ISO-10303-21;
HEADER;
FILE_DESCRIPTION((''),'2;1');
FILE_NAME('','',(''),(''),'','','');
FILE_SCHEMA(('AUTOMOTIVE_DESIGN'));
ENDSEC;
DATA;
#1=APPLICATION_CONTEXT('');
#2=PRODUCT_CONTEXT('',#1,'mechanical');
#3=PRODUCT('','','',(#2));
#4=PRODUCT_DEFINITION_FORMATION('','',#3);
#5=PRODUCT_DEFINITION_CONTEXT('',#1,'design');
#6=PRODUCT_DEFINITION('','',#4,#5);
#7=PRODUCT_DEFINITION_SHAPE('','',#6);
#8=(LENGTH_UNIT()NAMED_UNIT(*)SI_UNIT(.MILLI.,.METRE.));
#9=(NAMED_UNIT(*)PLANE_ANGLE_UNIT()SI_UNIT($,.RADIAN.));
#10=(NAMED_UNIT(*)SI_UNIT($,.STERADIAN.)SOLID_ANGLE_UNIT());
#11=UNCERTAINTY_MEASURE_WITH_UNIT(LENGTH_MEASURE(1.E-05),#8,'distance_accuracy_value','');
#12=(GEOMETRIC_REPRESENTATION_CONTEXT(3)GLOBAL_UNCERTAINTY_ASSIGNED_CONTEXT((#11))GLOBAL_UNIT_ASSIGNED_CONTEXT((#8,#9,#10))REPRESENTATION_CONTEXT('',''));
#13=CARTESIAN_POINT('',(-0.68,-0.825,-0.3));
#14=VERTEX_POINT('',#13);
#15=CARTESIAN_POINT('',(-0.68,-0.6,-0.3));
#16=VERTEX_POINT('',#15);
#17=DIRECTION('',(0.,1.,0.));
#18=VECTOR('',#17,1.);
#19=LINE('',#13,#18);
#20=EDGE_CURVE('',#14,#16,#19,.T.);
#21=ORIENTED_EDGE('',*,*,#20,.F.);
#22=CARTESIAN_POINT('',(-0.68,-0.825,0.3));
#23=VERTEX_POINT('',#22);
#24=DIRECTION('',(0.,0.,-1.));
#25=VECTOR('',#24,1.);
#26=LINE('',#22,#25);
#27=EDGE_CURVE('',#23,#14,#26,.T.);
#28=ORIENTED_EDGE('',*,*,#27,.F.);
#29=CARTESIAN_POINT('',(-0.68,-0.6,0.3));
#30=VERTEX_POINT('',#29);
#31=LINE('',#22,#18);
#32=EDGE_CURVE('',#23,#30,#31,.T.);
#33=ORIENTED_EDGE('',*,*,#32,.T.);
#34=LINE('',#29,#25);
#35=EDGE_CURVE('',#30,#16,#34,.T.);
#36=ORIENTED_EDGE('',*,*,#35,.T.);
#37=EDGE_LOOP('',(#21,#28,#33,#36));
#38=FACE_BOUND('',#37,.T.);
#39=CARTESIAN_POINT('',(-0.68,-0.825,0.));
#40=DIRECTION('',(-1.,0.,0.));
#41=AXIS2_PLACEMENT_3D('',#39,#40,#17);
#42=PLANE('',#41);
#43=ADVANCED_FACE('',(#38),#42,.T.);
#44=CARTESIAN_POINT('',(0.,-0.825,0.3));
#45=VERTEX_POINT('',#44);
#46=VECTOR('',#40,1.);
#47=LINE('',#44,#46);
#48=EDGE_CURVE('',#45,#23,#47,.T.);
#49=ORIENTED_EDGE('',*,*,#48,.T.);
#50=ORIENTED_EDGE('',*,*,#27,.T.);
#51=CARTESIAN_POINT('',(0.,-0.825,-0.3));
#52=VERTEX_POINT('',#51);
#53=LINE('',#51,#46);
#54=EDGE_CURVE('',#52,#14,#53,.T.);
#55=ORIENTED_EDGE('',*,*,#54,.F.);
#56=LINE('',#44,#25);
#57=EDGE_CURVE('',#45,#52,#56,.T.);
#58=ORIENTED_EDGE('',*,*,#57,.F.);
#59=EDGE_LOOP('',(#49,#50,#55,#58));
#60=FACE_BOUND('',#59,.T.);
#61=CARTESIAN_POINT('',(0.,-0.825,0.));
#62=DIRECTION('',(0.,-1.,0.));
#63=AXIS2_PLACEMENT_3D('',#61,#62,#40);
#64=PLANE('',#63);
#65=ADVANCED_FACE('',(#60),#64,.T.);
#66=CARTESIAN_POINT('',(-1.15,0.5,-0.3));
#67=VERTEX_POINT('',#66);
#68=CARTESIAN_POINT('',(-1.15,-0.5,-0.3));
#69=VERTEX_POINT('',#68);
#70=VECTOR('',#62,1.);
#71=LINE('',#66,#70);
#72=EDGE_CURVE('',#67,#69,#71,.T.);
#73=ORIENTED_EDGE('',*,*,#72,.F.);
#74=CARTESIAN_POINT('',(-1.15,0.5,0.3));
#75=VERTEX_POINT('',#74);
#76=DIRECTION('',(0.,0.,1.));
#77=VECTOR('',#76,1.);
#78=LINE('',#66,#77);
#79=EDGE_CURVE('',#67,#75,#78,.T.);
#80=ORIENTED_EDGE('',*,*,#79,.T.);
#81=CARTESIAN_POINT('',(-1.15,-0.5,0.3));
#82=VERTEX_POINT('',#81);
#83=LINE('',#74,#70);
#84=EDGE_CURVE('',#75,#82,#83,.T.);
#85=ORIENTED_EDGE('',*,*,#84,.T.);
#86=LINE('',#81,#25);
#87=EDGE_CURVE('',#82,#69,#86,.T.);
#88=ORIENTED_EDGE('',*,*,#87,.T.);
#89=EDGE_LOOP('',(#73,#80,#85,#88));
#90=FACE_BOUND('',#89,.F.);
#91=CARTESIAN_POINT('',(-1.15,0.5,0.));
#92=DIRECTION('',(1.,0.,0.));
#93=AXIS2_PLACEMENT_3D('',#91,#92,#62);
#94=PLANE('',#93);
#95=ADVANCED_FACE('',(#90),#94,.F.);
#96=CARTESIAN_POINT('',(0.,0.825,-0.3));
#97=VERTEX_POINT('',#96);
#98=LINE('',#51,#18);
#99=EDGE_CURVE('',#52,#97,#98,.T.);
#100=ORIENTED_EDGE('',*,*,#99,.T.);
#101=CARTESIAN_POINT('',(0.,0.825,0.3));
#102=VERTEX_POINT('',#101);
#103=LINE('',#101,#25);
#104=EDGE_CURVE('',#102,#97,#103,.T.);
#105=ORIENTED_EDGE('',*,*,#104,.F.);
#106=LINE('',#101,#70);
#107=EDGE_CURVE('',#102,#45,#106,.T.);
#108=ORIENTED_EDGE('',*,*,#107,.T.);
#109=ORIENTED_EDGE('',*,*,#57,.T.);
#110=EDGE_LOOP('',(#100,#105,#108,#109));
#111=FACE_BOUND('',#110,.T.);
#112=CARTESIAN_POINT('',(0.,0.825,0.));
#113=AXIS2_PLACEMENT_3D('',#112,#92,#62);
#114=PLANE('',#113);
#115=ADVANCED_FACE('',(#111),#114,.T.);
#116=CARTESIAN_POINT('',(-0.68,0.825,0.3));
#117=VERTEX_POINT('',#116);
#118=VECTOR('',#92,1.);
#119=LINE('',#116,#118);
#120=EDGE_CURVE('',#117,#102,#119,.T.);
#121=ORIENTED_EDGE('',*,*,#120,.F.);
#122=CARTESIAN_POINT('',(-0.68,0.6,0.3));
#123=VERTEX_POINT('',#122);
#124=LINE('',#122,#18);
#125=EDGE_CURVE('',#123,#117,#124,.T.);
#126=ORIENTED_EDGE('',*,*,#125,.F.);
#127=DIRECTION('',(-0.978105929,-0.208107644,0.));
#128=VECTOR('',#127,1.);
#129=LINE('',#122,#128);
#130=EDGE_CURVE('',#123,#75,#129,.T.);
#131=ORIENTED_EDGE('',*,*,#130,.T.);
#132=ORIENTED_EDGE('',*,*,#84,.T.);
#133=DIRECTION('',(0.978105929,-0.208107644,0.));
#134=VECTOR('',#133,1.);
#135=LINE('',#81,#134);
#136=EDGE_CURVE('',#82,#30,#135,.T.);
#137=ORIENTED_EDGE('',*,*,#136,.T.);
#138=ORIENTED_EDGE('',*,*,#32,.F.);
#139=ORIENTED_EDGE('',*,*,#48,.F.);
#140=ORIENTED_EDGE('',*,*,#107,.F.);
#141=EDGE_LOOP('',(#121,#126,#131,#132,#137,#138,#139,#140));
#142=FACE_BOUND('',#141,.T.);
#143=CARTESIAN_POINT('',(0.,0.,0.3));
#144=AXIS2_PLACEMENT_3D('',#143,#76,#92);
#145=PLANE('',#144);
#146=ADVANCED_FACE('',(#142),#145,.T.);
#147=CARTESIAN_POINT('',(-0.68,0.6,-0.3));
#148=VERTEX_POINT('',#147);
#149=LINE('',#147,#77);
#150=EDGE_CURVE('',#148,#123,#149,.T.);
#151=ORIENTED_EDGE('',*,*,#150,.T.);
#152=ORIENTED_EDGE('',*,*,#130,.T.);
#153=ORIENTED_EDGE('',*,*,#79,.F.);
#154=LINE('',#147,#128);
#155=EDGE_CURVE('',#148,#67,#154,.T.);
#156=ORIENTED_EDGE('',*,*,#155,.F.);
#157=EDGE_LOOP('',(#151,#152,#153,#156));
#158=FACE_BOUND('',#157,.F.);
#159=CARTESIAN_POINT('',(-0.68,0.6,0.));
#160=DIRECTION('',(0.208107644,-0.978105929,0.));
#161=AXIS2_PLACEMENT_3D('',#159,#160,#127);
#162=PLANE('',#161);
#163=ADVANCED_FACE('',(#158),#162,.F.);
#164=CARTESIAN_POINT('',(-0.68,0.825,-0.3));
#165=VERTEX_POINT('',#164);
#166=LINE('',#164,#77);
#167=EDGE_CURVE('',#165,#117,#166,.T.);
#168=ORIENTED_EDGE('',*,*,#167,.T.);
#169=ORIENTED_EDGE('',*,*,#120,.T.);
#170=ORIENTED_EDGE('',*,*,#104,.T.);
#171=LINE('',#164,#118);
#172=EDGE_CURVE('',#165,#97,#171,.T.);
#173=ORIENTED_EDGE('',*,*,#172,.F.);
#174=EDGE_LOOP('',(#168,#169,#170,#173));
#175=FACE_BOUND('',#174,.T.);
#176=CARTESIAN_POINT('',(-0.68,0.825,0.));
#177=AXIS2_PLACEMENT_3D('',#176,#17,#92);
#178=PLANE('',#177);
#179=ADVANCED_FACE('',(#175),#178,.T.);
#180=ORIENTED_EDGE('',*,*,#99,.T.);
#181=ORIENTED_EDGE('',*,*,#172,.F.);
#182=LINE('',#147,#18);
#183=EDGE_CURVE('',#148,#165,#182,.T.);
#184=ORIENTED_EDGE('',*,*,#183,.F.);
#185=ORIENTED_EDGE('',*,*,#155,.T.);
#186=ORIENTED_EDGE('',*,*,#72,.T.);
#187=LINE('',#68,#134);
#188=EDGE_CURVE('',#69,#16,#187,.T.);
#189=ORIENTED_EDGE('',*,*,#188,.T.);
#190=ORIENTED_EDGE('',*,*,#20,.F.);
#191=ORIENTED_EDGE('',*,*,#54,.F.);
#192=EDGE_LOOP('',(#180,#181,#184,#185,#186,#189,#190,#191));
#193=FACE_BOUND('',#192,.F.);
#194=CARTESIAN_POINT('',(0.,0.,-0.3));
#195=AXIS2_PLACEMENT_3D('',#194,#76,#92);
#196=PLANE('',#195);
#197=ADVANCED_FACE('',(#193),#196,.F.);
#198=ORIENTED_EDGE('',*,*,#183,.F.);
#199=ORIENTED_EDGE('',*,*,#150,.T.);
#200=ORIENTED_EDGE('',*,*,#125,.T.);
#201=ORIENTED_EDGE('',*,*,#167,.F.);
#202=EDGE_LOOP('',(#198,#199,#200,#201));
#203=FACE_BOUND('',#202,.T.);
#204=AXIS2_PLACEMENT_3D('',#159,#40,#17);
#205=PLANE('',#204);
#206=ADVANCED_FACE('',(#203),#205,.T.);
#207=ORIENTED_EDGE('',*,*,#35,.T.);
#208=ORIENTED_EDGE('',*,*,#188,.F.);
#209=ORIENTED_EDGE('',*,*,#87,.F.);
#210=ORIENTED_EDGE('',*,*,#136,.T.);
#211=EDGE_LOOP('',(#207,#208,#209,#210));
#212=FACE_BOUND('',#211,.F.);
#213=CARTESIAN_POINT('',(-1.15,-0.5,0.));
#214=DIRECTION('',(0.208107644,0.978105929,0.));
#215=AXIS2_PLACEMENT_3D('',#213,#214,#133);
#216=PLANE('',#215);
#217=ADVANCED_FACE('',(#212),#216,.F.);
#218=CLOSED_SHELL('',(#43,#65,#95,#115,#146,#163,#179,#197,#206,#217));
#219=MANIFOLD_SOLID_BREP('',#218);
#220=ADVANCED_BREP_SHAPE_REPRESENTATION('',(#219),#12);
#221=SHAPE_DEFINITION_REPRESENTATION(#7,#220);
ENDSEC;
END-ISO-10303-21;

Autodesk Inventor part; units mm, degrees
ref_plane "YZ Plane" through (0, 0, 0) normal (1, 0, 0) x (0, 1, 0)
ref_plane "XZ Plane" through (0, 0, 0) normal (0, 1, 0) x (-1, 0, 0)
ref_plane "XY Plane" through (0, 0, 0) normal (0, 0, 1) x (1, 0, 0)
sketch "Sketch1" plane through (0, 0, 0) normal (0, 0, 1) x (1, 0, 0)
  line L0 (0, 0) -> (21.5711, 0)
  line L1 (-0.68, 0.825) -> (0, 0.825)
  line L2 (0, 0.825) -> (0, -0.825)
  line L3 (0, -0.825) -> (-0.68, -0.825)
  line L4 (-0.68, 0.6) -> (-1.15, 0.5)
  line L5 (-1.15, 0.5) -> (-1.15, -0.5)
  line L6 (-1.15, -0.5) -> (-0.68, -0.6)
  line L7 (-0.68, -0.825) -> (-0.68, -0.6)
  line L8 (-0.68, 0.6) -> (-0.68, 0.825)
  point P0 (0, 0)
  dimension "d2" = 0.68
  dimension "d3" = 1.65
  dimension "d4" = 1.2
  dimension "d5" = 1
  dimension "d6" = 1.15
extrude "Extrusion1" add sketch "Sketch1" along normal mid plane 0.6
properties part number "LED_LTST-S270KFKT"
